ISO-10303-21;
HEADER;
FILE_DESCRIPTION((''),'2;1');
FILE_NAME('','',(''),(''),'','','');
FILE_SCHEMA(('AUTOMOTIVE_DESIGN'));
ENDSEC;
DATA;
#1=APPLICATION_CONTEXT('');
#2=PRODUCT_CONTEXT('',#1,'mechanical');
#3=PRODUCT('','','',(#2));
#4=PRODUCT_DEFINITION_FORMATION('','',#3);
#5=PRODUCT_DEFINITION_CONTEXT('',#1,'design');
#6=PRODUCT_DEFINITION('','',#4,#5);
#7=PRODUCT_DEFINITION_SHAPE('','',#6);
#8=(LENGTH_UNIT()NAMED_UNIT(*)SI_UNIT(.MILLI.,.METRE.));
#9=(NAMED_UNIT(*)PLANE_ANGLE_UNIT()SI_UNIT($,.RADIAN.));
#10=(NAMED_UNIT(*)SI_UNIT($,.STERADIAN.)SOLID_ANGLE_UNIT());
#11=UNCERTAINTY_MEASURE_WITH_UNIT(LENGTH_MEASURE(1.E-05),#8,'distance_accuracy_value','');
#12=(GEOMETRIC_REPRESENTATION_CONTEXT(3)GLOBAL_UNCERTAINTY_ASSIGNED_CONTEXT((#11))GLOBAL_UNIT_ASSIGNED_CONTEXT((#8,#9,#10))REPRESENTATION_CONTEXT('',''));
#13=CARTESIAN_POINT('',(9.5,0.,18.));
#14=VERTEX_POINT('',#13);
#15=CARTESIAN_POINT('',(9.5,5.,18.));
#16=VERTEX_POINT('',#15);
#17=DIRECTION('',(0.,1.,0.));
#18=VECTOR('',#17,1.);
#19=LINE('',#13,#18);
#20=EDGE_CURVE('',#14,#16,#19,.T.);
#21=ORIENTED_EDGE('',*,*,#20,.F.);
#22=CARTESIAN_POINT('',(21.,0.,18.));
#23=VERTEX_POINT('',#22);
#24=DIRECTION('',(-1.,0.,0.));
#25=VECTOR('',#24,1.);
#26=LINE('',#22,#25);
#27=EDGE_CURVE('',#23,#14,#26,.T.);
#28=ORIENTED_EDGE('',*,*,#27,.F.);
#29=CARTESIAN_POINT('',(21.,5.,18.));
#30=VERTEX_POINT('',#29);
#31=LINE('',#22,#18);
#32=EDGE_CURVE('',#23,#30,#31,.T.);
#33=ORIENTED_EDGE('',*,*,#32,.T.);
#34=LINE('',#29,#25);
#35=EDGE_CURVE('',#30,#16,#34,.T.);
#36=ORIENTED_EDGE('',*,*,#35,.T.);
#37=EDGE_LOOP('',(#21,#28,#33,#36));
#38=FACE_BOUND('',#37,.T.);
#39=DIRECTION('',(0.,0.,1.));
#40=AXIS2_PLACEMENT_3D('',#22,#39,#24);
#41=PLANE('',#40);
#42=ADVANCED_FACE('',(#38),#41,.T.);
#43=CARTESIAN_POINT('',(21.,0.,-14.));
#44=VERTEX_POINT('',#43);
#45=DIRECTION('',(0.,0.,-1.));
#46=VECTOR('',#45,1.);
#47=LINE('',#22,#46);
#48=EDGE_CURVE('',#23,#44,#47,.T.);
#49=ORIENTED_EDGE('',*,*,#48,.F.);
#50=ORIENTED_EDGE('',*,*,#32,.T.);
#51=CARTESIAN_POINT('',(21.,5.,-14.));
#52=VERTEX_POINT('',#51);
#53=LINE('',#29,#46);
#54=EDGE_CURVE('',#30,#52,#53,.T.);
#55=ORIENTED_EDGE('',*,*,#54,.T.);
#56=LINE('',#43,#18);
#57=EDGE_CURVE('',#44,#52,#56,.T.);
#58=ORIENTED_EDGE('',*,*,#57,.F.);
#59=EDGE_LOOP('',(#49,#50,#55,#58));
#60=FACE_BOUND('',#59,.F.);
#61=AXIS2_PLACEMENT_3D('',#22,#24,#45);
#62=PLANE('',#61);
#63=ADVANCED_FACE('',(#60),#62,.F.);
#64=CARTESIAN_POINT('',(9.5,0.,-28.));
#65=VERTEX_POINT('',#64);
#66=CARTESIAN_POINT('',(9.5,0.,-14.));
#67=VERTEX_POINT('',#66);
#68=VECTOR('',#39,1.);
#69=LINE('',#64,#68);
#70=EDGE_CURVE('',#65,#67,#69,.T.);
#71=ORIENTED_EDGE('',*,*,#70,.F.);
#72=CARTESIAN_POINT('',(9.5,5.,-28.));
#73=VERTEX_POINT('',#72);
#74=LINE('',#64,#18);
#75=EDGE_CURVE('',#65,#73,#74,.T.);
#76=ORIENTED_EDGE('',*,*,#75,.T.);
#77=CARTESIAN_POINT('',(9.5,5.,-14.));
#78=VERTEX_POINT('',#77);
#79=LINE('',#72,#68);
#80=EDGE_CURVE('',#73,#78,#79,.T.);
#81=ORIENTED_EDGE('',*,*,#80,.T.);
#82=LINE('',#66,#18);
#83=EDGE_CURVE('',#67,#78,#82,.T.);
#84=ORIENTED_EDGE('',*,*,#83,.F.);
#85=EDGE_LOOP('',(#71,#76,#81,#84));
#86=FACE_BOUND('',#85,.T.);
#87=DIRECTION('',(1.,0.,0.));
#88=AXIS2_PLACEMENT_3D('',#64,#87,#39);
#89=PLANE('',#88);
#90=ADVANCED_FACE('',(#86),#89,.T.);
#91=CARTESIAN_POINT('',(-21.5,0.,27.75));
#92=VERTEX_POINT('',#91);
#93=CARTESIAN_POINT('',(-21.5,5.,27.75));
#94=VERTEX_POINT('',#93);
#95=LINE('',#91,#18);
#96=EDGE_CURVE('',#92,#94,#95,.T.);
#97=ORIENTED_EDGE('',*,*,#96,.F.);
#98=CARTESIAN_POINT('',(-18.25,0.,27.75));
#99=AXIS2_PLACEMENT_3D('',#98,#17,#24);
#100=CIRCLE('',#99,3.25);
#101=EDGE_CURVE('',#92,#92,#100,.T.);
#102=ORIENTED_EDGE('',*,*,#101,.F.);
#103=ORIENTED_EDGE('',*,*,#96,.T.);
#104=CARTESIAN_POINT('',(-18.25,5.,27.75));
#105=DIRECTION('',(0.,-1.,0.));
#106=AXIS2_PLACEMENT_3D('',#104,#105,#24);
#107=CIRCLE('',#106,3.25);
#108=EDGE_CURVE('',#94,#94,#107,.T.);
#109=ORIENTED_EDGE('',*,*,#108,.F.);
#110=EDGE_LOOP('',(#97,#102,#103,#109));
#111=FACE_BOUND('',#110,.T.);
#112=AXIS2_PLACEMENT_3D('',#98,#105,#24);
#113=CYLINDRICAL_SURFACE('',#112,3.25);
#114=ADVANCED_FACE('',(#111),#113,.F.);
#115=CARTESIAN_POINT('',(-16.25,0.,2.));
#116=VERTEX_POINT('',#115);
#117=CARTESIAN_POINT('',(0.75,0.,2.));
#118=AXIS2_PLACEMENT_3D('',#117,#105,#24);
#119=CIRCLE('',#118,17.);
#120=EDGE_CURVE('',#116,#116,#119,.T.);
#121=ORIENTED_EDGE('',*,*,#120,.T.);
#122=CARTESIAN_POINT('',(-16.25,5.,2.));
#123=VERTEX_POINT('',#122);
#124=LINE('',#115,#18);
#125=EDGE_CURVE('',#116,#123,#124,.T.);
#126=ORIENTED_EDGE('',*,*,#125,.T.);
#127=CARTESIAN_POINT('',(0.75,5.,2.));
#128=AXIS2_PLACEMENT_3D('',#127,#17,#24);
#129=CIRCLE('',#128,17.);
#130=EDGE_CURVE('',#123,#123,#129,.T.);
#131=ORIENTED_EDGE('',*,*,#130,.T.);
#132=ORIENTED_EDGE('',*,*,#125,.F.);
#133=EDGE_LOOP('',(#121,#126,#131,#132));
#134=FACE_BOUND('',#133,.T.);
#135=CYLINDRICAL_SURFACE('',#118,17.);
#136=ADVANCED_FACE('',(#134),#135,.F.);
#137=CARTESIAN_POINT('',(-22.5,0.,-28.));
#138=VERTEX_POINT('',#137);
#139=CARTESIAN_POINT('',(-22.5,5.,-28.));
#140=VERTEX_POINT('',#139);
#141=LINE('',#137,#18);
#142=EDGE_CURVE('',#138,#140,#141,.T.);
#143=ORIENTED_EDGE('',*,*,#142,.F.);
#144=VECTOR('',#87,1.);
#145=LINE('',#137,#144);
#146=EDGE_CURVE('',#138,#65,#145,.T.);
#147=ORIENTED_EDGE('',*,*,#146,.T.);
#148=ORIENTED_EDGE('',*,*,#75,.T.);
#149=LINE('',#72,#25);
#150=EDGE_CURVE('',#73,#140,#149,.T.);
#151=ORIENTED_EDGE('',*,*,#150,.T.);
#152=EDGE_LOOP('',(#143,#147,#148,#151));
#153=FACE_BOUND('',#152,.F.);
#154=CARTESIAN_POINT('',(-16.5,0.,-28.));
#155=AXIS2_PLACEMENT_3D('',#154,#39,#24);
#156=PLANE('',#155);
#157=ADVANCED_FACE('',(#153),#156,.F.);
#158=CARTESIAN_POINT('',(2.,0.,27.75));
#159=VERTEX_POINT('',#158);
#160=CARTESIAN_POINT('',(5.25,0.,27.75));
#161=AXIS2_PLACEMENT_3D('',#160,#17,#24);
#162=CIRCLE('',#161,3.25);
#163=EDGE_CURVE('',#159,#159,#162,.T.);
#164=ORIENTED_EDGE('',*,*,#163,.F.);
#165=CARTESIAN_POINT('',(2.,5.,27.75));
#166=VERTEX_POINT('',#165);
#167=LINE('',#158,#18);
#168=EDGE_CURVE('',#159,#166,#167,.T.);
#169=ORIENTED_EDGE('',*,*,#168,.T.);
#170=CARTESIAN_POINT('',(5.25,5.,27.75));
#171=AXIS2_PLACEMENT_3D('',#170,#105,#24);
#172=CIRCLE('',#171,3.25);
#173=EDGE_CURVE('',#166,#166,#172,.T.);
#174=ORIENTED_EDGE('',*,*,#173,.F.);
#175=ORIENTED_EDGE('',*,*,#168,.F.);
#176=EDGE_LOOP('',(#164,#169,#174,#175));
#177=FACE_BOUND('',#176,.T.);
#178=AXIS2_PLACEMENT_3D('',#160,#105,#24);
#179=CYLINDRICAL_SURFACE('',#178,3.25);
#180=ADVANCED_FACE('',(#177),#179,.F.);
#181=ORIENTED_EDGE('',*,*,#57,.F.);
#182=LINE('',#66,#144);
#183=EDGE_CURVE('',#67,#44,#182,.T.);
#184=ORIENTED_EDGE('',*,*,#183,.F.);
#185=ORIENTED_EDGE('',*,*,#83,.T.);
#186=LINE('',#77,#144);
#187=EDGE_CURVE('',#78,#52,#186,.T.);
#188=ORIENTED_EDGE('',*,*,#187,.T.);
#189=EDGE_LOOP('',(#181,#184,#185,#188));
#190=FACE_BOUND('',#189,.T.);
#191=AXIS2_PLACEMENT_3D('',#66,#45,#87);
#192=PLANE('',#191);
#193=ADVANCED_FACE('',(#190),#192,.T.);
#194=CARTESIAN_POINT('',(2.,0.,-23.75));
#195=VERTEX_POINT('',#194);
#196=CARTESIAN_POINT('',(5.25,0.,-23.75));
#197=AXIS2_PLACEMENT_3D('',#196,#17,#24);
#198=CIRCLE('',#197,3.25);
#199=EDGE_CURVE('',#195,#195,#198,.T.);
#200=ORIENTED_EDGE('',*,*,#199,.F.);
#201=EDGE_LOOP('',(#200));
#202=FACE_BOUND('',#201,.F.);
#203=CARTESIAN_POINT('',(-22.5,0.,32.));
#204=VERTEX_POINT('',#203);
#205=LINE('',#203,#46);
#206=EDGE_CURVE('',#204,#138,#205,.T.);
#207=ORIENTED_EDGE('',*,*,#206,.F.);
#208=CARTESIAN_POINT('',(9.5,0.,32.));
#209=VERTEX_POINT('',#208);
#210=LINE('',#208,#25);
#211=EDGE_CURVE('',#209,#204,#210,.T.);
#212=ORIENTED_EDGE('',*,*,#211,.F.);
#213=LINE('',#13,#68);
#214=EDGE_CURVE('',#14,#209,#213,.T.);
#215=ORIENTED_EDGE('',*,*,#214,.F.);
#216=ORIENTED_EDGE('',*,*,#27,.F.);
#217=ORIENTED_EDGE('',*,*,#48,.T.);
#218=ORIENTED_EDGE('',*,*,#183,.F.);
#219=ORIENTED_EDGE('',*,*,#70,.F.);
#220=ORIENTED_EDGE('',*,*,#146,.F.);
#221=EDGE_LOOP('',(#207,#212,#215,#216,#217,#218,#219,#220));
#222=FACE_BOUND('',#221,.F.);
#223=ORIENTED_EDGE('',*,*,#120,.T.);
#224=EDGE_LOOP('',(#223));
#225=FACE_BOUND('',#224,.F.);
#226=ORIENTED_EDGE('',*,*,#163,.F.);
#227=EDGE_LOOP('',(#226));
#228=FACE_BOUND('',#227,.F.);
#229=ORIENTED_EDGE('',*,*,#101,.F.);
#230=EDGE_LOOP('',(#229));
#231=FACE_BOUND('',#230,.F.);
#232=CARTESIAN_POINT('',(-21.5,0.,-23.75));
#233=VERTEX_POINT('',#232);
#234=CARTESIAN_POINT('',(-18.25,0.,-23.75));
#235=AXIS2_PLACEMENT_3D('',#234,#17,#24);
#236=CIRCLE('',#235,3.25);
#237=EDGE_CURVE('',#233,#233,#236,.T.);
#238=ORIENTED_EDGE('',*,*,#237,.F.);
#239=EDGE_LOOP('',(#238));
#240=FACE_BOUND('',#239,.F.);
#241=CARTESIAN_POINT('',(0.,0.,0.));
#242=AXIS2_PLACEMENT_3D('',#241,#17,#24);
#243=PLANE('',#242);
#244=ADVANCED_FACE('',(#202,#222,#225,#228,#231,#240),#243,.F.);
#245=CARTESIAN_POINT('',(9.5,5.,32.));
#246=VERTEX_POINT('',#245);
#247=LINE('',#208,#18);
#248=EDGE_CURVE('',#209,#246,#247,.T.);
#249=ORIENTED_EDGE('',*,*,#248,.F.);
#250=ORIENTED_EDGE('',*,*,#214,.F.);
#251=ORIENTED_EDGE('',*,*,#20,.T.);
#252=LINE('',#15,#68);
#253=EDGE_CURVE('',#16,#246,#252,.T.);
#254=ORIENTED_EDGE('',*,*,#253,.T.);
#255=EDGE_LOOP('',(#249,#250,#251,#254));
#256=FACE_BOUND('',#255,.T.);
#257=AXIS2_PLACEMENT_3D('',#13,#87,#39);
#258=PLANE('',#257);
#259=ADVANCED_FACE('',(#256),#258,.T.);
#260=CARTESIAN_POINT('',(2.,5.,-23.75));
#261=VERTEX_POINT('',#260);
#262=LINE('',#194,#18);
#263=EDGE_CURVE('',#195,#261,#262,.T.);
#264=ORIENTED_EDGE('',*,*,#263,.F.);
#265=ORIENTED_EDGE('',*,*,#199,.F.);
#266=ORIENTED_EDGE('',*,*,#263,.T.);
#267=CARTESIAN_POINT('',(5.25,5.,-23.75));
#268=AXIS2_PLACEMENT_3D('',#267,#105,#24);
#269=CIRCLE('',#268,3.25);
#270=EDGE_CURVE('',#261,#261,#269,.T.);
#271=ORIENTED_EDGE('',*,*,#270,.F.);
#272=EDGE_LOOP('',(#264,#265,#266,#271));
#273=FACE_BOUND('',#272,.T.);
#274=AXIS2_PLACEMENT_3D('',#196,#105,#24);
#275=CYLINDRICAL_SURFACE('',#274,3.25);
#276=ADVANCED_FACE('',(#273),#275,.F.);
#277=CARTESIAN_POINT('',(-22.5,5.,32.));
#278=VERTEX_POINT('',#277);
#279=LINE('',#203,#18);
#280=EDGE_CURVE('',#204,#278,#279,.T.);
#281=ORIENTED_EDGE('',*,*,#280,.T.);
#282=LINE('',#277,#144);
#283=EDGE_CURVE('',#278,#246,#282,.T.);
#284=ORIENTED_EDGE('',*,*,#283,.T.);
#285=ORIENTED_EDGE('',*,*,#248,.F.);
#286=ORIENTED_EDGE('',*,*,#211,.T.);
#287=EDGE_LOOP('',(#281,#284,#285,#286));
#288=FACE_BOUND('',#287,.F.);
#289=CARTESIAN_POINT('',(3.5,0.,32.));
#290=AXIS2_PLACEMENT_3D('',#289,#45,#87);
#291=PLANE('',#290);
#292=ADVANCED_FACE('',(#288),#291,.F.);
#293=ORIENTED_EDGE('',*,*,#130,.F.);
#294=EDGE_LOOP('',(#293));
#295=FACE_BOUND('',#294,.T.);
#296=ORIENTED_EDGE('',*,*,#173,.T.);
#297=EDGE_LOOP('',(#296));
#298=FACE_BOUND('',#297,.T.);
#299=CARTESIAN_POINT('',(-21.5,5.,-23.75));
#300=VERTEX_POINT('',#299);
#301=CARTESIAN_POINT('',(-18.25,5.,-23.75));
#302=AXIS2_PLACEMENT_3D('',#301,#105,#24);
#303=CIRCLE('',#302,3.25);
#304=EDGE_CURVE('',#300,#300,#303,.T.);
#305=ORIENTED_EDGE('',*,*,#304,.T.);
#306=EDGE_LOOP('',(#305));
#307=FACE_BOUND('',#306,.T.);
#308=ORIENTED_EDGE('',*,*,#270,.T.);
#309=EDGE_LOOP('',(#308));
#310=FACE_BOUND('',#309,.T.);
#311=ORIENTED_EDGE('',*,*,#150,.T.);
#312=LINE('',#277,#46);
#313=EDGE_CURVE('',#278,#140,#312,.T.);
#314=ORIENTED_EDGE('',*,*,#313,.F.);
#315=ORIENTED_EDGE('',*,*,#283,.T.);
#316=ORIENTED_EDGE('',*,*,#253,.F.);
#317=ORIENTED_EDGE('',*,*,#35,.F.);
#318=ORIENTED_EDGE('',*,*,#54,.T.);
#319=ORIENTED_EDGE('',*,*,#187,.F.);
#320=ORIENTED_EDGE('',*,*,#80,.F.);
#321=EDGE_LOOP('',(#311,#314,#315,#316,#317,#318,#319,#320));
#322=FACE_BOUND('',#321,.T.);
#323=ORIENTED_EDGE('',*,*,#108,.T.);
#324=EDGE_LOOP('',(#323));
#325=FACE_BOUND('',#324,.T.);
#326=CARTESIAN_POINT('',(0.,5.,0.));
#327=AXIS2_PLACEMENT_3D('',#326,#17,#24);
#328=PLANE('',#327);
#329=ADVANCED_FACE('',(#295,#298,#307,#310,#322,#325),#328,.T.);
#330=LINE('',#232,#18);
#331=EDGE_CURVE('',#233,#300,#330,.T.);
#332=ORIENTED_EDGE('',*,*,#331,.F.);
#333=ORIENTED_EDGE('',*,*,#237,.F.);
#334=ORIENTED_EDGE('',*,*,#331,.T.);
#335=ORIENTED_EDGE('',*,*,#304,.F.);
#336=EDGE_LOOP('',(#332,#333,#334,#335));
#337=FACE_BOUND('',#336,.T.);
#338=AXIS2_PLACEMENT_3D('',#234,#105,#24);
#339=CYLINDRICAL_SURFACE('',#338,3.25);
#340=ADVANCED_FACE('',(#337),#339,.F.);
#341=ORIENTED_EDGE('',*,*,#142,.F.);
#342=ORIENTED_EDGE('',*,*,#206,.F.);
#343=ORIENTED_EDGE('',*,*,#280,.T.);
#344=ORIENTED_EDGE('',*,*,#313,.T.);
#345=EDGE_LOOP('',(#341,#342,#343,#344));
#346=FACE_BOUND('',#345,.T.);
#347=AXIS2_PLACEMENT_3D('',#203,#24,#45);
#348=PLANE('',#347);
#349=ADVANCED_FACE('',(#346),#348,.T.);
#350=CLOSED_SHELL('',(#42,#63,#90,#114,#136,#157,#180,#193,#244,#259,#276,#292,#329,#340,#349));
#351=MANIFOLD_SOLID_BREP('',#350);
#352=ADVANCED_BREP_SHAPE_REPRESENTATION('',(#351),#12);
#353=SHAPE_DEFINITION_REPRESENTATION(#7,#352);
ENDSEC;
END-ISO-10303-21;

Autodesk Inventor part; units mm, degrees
ref_plane "YZ Plane" through (0, 0, 0) normal (1, 0, 0) x (0, 1, 0)
ref_plane "XZ Plane" through (0, 0, 0) normal (0, 1, 0) x (-1, 0, 0)
ref_plane "XY Plane" through (0, 0, 0) normal (0, 0, 1) x (1, 0, 0)
sketch "Эскиз1" plane through (0, 0, 0) normal (0, 1, 0) x (-1, 0, 0)
  circle A0 centre (-0.75, 2) radius 17
  line L0 (-5.25, -23.75) -> (-5.25, 27.75)
  line L1 (18.25, 27.75) -> (18.25, -23.75)
  line L2 (22.5, 32) -> (22.5, -28)
  line L3 (27.5, -33) -> (27.5, 37)
  circle A1 centre (18.25, -23.75) radius 3.25
  line L4 (18.25, -23.75) -> (-5.25, -23.75)
  arc A2 (16.5, -28) -> (22.5, -28) centre (19.5, -28) ccw
  line L5 (16.5, -28) -> (-3.5, -28)
  line L6 (-14.5, -33) -> (27.5, -33)
  circle A3 centre (-5.25, -23.75) radius 3.25
  arc A4 (-9.5, -28) -> (-3.5, -28) centre (-6.5, -28) ccw
  line L7 (-9.5, -28) -> (-9.5, -14)
  line L8 (-14.5, -19) -> (-14.5, -33)
  line L9 (-9.5, -14) -> (-21, -14)
  line L10 (-21, -14) -> (-21, -19)
  line L11 (-21, -19) -> (-14.5, -19)
  line L12 (-5.25, 27.75) -> (18.25, 27.75)
  circle A5 centre (18.25, 27.75) radius 3.25
  circle A6 centre (-5.25, 27.75) radius 3.25
  line L13 (-21, 18) -> (-9.5, 18)
  line L14 (-14.5, 23) -> (-21, 23)
  line L15 (-21, 23) -> (-21, 18)
  line L16 (-9.5, 18) -> (-9.5, 32)
  line L17 (-14.5, 37) -> (-14.5, 23)
  arc A7 (-3.5, 32) -> (-9.5, 32) centre (-6.5, 32) ccw
  line L18 (-3.5, 32) -> (16.5, 32)
  arc A8 (22.5, 32) -> (16.5, 32) centre (19.5, 32) ccw
  line L19 (27.5, 37) -> (-14.5, 37)
  line L20 (-21, 18) -> (-21, -14)
  line L21 (16.5, 32) -> (22.5, 32)
  line L22 (-3.5, 32) -> (-9.5, 32)
  line L23 (-3.5, -28) -> (-9.5, -28)
  line L24 (16.5, -28) -> (22.5, -28)
  point P0 (0, 0)
  point P1 (3.5, -18)
  dimension "d0" = 4.25
  dimension "d1" = 4.25
  dimension "d2" = 4.25
  dimension "d3" = 4.25
  dimension "d4" = 19
  dimension "d5" = 34
extrude "Выдавливание1" add sketch "Эскиз1" along normal blind 5 contours A0 L0 A6 L12 A5 L1 A1 L4 A3 | L2 L24 L5 L23 L7 L9 L20 L13 L16 L22 L18 L21
properties part number "PodkladkaY"
